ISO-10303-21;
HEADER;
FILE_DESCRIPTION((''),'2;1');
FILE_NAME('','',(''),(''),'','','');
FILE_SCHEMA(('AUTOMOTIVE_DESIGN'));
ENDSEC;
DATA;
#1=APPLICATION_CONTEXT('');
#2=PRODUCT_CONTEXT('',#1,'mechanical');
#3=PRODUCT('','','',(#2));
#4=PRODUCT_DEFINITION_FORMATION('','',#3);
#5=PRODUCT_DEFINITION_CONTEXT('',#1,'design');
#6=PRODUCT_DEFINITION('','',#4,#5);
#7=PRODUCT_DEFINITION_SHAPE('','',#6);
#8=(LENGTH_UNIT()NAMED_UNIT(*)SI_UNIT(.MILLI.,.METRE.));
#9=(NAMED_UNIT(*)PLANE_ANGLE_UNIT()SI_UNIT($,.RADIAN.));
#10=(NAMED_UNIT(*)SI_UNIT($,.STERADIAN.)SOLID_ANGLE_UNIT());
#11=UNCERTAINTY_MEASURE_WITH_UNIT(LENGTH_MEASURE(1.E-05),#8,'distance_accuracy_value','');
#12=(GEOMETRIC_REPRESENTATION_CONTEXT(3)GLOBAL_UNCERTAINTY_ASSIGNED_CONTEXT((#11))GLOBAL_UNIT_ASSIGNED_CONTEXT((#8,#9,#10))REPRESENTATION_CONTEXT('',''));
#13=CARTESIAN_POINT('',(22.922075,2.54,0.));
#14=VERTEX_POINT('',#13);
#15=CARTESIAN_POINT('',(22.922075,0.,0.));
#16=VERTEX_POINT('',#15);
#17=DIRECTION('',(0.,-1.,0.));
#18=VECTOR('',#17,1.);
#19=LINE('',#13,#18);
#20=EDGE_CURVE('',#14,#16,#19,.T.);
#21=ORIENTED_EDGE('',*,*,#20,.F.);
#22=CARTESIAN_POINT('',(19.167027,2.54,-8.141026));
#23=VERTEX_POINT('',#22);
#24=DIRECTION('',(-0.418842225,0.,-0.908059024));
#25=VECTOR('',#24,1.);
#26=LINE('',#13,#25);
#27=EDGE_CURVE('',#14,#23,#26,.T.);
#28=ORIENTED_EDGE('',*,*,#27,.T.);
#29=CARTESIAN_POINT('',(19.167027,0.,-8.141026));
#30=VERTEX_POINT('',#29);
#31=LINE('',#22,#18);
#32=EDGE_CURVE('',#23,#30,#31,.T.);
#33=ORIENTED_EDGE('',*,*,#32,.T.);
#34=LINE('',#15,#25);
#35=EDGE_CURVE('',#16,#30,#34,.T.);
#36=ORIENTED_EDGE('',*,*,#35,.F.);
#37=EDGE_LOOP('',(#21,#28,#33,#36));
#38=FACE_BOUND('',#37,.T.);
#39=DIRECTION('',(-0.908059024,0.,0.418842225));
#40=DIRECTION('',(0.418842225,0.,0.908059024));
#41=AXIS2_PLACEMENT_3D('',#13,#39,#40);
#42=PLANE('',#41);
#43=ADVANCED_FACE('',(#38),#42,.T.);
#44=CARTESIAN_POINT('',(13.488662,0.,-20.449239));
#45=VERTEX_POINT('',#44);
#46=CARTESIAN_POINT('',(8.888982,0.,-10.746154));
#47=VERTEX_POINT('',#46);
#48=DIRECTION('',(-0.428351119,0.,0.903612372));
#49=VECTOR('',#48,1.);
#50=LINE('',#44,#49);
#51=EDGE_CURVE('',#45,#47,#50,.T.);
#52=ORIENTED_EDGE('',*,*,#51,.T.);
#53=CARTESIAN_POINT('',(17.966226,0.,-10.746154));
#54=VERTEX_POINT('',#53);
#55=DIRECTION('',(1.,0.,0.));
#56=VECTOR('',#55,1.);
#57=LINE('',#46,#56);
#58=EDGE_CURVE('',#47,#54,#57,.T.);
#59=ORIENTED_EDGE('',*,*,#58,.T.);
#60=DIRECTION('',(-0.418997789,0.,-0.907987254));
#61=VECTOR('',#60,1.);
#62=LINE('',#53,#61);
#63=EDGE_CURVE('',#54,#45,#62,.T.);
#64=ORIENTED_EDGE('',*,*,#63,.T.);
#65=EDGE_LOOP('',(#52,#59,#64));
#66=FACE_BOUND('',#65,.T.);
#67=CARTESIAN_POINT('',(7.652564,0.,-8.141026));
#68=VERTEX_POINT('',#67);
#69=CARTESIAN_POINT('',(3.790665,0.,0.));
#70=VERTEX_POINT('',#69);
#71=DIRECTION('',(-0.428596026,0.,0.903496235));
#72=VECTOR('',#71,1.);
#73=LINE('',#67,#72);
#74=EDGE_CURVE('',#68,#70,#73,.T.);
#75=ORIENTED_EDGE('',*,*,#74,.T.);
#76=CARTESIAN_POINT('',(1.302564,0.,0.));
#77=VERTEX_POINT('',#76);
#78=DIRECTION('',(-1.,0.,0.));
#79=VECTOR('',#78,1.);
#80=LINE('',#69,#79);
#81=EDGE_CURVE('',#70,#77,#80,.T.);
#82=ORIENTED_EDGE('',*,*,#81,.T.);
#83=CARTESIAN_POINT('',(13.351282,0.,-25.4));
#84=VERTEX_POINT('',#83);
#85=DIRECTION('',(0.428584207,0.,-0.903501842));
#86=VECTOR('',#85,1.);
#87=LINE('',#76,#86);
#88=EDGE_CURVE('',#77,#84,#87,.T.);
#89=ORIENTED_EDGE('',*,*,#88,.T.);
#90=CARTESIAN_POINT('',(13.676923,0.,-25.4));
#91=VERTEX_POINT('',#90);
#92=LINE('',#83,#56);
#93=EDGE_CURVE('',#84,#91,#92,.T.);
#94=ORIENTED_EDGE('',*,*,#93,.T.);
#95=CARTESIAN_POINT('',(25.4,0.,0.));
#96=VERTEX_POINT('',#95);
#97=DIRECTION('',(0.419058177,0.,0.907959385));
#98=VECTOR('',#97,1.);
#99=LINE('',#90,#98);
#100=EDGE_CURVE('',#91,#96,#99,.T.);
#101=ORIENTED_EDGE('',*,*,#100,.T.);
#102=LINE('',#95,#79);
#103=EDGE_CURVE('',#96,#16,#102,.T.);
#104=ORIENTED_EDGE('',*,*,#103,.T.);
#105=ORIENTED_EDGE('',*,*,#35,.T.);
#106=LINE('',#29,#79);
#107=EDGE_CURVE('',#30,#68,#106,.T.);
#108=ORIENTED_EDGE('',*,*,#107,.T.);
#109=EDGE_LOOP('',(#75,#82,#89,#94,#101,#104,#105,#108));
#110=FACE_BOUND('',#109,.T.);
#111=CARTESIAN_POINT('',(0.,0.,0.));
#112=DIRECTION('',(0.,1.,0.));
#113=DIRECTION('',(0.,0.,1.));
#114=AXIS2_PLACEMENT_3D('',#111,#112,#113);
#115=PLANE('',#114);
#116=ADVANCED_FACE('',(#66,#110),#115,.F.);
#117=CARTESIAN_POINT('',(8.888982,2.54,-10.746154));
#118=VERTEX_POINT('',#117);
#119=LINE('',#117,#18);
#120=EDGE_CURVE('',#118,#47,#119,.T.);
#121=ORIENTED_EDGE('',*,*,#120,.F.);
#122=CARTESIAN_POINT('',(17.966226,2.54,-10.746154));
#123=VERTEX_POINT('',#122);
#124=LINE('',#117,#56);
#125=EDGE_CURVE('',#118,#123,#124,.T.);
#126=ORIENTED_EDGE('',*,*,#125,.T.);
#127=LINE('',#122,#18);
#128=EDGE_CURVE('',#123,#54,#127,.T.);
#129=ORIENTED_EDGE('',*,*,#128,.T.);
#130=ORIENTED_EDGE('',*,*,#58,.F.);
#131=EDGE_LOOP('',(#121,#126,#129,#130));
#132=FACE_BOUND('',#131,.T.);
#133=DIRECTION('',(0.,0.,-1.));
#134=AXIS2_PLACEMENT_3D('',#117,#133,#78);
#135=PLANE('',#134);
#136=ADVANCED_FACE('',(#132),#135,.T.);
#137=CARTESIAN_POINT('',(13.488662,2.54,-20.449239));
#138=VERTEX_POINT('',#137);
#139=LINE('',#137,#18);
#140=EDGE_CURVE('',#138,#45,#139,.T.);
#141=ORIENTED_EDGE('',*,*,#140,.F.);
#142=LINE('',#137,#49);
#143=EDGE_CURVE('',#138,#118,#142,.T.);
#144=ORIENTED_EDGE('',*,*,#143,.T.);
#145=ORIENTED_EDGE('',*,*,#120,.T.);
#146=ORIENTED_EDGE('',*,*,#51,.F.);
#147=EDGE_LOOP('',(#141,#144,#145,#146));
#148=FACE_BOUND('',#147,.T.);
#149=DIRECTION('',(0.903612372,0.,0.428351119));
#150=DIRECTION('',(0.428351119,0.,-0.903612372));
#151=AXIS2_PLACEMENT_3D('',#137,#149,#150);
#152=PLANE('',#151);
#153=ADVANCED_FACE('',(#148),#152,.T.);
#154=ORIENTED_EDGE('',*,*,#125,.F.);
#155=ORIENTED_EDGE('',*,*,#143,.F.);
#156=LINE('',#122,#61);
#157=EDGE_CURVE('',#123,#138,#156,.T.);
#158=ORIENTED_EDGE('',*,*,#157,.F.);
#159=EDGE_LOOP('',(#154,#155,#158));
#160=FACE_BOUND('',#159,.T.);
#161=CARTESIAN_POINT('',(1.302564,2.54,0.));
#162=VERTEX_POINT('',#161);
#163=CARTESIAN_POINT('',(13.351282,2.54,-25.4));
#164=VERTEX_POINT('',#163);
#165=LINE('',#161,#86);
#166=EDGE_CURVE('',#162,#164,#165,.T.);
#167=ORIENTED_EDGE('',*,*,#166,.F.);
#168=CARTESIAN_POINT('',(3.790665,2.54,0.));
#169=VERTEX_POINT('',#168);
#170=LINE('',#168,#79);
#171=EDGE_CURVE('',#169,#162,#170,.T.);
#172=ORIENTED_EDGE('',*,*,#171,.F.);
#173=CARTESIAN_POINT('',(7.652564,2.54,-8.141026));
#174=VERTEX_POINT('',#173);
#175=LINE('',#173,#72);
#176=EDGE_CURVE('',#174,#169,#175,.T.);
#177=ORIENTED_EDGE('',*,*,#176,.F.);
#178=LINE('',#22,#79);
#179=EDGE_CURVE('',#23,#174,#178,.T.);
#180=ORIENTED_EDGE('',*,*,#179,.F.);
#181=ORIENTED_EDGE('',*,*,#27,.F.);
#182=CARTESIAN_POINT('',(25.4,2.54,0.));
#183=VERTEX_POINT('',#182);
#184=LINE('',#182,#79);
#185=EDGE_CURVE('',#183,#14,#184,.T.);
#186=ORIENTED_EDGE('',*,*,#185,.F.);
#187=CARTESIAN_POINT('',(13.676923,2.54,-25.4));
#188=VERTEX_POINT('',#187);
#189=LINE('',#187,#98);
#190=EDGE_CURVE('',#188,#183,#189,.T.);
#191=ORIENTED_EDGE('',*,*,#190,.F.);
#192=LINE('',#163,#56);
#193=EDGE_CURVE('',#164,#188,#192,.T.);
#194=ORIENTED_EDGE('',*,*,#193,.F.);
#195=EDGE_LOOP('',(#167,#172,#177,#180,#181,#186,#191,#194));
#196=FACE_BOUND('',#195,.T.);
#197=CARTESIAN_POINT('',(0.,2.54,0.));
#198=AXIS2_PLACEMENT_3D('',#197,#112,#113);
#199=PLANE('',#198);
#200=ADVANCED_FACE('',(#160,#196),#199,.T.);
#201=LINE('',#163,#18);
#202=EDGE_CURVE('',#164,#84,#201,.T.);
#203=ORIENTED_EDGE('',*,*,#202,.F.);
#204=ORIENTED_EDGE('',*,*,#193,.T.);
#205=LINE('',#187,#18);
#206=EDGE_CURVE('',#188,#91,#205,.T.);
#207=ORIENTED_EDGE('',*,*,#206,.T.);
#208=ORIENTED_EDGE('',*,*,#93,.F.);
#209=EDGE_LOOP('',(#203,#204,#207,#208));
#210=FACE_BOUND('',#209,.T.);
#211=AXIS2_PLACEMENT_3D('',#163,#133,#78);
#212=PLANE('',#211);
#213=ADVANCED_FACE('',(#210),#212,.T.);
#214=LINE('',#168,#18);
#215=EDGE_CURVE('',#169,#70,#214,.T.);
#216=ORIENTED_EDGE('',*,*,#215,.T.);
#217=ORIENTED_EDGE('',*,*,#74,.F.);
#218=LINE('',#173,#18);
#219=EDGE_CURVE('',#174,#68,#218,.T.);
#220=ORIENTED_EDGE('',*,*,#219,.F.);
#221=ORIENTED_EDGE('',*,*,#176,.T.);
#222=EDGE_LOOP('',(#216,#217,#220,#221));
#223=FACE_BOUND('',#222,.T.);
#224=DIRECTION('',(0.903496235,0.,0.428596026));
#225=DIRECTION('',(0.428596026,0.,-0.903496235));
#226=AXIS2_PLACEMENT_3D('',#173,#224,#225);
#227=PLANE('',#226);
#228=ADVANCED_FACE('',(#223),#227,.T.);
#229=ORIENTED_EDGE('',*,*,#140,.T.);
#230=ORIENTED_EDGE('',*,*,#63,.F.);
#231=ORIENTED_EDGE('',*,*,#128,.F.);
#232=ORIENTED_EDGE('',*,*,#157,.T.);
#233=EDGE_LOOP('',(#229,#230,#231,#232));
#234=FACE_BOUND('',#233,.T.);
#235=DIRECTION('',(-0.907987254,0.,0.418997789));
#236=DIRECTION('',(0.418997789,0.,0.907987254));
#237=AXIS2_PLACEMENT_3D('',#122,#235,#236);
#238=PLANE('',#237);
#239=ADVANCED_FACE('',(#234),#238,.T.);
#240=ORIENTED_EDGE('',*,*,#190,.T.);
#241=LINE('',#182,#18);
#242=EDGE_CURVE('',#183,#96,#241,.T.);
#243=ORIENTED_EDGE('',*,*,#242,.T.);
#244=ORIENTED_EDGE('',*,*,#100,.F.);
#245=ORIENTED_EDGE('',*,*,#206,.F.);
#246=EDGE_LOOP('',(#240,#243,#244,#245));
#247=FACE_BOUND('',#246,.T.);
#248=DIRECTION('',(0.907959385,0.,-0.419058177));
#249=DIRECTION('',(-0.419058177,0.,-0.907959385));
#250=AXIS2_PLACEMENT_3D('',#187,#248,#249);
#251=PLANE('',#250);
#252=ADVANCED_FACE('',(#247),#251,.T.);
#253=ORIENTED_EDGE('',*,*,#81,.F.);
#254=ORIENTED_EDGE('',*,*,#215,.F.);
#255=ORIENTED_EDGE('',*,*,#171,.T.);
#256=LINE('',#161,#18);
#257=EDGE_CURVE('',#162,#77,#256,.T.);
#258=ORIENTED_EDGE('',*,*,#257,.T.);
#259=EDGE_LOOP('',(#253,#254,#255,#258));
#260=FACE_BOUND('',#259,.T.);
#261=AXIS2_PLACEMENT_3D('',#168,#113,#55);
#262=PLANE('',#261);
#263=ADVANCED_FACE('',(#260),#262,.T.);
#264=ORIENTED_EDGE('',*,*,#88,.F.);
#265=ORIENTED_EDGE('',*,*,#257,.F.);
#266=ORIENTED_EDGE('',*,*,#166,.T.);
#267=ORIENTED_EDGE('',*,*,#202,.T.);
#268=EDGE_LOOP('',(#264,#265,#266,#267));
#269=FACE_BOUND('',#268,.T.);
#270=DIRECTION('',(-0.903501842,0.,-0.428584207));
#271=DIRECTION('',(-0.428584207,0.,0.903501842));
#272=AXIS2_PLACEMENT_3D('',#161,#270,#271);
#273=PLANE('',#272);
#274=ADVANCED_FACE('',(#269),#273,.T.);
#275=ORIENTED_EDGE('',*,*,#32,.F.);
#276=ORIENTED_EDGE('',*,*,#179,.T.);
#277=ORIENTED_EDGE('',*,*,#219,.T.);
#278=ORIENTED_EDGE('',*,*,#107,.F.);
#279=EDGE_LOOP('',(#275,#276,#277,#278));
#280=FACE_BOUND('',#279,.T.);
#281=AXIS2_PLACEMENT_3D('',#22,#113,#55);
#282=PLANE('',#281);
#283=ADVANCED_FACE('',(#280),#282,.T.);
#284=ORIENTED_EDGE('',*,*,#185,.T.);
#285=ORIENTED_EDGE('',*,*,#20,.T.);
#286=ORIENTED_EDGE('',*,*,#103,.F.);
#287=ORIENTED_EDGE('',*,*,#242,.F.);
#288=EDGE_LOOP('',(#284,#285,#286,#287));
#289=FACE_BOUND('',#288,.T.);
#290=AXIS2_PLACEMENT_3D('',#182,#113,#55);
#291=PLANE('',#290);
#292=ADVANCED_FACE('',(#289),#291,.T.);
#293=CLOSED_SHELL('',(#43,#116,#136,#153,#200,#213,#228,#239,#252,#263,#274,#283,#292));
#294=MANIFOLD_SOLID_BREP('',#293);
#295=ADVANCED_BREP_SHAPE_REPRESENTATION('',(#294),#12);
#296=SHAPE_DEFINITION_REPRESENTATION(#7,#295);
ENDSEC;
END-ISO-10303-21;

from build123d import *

# Parameters (mm, degrees)
BOSS_EXTRUDE2_DEPTH = 2.54


with BuildPart() as part:
    # Sketch3 → Boss-Extrude2 (new body)
    with BuildSketch(Plane(origin=(0, 0, 0), x_dir=(1, 0, 0), z_dir=(0, 1, 0))):
        Polygon((13.676923077, 25.4), (25.4, 0), (22.922075321, 0), (19.167027244, 8.141025641), (7.652564103, 8.141025641), (3.790665064, 0), (1.302564103, 0), (13.351282051, 25.4), align=None)
        Polygon((13.488661859, 20.449238782), (8.888982372, 10.746153846), (17.966225962, 10.746153846), align=None, mode=Mode.SUBTRACT)
    extrude(amount=BOSS_EXTRUDE2_DEPTH)


solid = part.part
